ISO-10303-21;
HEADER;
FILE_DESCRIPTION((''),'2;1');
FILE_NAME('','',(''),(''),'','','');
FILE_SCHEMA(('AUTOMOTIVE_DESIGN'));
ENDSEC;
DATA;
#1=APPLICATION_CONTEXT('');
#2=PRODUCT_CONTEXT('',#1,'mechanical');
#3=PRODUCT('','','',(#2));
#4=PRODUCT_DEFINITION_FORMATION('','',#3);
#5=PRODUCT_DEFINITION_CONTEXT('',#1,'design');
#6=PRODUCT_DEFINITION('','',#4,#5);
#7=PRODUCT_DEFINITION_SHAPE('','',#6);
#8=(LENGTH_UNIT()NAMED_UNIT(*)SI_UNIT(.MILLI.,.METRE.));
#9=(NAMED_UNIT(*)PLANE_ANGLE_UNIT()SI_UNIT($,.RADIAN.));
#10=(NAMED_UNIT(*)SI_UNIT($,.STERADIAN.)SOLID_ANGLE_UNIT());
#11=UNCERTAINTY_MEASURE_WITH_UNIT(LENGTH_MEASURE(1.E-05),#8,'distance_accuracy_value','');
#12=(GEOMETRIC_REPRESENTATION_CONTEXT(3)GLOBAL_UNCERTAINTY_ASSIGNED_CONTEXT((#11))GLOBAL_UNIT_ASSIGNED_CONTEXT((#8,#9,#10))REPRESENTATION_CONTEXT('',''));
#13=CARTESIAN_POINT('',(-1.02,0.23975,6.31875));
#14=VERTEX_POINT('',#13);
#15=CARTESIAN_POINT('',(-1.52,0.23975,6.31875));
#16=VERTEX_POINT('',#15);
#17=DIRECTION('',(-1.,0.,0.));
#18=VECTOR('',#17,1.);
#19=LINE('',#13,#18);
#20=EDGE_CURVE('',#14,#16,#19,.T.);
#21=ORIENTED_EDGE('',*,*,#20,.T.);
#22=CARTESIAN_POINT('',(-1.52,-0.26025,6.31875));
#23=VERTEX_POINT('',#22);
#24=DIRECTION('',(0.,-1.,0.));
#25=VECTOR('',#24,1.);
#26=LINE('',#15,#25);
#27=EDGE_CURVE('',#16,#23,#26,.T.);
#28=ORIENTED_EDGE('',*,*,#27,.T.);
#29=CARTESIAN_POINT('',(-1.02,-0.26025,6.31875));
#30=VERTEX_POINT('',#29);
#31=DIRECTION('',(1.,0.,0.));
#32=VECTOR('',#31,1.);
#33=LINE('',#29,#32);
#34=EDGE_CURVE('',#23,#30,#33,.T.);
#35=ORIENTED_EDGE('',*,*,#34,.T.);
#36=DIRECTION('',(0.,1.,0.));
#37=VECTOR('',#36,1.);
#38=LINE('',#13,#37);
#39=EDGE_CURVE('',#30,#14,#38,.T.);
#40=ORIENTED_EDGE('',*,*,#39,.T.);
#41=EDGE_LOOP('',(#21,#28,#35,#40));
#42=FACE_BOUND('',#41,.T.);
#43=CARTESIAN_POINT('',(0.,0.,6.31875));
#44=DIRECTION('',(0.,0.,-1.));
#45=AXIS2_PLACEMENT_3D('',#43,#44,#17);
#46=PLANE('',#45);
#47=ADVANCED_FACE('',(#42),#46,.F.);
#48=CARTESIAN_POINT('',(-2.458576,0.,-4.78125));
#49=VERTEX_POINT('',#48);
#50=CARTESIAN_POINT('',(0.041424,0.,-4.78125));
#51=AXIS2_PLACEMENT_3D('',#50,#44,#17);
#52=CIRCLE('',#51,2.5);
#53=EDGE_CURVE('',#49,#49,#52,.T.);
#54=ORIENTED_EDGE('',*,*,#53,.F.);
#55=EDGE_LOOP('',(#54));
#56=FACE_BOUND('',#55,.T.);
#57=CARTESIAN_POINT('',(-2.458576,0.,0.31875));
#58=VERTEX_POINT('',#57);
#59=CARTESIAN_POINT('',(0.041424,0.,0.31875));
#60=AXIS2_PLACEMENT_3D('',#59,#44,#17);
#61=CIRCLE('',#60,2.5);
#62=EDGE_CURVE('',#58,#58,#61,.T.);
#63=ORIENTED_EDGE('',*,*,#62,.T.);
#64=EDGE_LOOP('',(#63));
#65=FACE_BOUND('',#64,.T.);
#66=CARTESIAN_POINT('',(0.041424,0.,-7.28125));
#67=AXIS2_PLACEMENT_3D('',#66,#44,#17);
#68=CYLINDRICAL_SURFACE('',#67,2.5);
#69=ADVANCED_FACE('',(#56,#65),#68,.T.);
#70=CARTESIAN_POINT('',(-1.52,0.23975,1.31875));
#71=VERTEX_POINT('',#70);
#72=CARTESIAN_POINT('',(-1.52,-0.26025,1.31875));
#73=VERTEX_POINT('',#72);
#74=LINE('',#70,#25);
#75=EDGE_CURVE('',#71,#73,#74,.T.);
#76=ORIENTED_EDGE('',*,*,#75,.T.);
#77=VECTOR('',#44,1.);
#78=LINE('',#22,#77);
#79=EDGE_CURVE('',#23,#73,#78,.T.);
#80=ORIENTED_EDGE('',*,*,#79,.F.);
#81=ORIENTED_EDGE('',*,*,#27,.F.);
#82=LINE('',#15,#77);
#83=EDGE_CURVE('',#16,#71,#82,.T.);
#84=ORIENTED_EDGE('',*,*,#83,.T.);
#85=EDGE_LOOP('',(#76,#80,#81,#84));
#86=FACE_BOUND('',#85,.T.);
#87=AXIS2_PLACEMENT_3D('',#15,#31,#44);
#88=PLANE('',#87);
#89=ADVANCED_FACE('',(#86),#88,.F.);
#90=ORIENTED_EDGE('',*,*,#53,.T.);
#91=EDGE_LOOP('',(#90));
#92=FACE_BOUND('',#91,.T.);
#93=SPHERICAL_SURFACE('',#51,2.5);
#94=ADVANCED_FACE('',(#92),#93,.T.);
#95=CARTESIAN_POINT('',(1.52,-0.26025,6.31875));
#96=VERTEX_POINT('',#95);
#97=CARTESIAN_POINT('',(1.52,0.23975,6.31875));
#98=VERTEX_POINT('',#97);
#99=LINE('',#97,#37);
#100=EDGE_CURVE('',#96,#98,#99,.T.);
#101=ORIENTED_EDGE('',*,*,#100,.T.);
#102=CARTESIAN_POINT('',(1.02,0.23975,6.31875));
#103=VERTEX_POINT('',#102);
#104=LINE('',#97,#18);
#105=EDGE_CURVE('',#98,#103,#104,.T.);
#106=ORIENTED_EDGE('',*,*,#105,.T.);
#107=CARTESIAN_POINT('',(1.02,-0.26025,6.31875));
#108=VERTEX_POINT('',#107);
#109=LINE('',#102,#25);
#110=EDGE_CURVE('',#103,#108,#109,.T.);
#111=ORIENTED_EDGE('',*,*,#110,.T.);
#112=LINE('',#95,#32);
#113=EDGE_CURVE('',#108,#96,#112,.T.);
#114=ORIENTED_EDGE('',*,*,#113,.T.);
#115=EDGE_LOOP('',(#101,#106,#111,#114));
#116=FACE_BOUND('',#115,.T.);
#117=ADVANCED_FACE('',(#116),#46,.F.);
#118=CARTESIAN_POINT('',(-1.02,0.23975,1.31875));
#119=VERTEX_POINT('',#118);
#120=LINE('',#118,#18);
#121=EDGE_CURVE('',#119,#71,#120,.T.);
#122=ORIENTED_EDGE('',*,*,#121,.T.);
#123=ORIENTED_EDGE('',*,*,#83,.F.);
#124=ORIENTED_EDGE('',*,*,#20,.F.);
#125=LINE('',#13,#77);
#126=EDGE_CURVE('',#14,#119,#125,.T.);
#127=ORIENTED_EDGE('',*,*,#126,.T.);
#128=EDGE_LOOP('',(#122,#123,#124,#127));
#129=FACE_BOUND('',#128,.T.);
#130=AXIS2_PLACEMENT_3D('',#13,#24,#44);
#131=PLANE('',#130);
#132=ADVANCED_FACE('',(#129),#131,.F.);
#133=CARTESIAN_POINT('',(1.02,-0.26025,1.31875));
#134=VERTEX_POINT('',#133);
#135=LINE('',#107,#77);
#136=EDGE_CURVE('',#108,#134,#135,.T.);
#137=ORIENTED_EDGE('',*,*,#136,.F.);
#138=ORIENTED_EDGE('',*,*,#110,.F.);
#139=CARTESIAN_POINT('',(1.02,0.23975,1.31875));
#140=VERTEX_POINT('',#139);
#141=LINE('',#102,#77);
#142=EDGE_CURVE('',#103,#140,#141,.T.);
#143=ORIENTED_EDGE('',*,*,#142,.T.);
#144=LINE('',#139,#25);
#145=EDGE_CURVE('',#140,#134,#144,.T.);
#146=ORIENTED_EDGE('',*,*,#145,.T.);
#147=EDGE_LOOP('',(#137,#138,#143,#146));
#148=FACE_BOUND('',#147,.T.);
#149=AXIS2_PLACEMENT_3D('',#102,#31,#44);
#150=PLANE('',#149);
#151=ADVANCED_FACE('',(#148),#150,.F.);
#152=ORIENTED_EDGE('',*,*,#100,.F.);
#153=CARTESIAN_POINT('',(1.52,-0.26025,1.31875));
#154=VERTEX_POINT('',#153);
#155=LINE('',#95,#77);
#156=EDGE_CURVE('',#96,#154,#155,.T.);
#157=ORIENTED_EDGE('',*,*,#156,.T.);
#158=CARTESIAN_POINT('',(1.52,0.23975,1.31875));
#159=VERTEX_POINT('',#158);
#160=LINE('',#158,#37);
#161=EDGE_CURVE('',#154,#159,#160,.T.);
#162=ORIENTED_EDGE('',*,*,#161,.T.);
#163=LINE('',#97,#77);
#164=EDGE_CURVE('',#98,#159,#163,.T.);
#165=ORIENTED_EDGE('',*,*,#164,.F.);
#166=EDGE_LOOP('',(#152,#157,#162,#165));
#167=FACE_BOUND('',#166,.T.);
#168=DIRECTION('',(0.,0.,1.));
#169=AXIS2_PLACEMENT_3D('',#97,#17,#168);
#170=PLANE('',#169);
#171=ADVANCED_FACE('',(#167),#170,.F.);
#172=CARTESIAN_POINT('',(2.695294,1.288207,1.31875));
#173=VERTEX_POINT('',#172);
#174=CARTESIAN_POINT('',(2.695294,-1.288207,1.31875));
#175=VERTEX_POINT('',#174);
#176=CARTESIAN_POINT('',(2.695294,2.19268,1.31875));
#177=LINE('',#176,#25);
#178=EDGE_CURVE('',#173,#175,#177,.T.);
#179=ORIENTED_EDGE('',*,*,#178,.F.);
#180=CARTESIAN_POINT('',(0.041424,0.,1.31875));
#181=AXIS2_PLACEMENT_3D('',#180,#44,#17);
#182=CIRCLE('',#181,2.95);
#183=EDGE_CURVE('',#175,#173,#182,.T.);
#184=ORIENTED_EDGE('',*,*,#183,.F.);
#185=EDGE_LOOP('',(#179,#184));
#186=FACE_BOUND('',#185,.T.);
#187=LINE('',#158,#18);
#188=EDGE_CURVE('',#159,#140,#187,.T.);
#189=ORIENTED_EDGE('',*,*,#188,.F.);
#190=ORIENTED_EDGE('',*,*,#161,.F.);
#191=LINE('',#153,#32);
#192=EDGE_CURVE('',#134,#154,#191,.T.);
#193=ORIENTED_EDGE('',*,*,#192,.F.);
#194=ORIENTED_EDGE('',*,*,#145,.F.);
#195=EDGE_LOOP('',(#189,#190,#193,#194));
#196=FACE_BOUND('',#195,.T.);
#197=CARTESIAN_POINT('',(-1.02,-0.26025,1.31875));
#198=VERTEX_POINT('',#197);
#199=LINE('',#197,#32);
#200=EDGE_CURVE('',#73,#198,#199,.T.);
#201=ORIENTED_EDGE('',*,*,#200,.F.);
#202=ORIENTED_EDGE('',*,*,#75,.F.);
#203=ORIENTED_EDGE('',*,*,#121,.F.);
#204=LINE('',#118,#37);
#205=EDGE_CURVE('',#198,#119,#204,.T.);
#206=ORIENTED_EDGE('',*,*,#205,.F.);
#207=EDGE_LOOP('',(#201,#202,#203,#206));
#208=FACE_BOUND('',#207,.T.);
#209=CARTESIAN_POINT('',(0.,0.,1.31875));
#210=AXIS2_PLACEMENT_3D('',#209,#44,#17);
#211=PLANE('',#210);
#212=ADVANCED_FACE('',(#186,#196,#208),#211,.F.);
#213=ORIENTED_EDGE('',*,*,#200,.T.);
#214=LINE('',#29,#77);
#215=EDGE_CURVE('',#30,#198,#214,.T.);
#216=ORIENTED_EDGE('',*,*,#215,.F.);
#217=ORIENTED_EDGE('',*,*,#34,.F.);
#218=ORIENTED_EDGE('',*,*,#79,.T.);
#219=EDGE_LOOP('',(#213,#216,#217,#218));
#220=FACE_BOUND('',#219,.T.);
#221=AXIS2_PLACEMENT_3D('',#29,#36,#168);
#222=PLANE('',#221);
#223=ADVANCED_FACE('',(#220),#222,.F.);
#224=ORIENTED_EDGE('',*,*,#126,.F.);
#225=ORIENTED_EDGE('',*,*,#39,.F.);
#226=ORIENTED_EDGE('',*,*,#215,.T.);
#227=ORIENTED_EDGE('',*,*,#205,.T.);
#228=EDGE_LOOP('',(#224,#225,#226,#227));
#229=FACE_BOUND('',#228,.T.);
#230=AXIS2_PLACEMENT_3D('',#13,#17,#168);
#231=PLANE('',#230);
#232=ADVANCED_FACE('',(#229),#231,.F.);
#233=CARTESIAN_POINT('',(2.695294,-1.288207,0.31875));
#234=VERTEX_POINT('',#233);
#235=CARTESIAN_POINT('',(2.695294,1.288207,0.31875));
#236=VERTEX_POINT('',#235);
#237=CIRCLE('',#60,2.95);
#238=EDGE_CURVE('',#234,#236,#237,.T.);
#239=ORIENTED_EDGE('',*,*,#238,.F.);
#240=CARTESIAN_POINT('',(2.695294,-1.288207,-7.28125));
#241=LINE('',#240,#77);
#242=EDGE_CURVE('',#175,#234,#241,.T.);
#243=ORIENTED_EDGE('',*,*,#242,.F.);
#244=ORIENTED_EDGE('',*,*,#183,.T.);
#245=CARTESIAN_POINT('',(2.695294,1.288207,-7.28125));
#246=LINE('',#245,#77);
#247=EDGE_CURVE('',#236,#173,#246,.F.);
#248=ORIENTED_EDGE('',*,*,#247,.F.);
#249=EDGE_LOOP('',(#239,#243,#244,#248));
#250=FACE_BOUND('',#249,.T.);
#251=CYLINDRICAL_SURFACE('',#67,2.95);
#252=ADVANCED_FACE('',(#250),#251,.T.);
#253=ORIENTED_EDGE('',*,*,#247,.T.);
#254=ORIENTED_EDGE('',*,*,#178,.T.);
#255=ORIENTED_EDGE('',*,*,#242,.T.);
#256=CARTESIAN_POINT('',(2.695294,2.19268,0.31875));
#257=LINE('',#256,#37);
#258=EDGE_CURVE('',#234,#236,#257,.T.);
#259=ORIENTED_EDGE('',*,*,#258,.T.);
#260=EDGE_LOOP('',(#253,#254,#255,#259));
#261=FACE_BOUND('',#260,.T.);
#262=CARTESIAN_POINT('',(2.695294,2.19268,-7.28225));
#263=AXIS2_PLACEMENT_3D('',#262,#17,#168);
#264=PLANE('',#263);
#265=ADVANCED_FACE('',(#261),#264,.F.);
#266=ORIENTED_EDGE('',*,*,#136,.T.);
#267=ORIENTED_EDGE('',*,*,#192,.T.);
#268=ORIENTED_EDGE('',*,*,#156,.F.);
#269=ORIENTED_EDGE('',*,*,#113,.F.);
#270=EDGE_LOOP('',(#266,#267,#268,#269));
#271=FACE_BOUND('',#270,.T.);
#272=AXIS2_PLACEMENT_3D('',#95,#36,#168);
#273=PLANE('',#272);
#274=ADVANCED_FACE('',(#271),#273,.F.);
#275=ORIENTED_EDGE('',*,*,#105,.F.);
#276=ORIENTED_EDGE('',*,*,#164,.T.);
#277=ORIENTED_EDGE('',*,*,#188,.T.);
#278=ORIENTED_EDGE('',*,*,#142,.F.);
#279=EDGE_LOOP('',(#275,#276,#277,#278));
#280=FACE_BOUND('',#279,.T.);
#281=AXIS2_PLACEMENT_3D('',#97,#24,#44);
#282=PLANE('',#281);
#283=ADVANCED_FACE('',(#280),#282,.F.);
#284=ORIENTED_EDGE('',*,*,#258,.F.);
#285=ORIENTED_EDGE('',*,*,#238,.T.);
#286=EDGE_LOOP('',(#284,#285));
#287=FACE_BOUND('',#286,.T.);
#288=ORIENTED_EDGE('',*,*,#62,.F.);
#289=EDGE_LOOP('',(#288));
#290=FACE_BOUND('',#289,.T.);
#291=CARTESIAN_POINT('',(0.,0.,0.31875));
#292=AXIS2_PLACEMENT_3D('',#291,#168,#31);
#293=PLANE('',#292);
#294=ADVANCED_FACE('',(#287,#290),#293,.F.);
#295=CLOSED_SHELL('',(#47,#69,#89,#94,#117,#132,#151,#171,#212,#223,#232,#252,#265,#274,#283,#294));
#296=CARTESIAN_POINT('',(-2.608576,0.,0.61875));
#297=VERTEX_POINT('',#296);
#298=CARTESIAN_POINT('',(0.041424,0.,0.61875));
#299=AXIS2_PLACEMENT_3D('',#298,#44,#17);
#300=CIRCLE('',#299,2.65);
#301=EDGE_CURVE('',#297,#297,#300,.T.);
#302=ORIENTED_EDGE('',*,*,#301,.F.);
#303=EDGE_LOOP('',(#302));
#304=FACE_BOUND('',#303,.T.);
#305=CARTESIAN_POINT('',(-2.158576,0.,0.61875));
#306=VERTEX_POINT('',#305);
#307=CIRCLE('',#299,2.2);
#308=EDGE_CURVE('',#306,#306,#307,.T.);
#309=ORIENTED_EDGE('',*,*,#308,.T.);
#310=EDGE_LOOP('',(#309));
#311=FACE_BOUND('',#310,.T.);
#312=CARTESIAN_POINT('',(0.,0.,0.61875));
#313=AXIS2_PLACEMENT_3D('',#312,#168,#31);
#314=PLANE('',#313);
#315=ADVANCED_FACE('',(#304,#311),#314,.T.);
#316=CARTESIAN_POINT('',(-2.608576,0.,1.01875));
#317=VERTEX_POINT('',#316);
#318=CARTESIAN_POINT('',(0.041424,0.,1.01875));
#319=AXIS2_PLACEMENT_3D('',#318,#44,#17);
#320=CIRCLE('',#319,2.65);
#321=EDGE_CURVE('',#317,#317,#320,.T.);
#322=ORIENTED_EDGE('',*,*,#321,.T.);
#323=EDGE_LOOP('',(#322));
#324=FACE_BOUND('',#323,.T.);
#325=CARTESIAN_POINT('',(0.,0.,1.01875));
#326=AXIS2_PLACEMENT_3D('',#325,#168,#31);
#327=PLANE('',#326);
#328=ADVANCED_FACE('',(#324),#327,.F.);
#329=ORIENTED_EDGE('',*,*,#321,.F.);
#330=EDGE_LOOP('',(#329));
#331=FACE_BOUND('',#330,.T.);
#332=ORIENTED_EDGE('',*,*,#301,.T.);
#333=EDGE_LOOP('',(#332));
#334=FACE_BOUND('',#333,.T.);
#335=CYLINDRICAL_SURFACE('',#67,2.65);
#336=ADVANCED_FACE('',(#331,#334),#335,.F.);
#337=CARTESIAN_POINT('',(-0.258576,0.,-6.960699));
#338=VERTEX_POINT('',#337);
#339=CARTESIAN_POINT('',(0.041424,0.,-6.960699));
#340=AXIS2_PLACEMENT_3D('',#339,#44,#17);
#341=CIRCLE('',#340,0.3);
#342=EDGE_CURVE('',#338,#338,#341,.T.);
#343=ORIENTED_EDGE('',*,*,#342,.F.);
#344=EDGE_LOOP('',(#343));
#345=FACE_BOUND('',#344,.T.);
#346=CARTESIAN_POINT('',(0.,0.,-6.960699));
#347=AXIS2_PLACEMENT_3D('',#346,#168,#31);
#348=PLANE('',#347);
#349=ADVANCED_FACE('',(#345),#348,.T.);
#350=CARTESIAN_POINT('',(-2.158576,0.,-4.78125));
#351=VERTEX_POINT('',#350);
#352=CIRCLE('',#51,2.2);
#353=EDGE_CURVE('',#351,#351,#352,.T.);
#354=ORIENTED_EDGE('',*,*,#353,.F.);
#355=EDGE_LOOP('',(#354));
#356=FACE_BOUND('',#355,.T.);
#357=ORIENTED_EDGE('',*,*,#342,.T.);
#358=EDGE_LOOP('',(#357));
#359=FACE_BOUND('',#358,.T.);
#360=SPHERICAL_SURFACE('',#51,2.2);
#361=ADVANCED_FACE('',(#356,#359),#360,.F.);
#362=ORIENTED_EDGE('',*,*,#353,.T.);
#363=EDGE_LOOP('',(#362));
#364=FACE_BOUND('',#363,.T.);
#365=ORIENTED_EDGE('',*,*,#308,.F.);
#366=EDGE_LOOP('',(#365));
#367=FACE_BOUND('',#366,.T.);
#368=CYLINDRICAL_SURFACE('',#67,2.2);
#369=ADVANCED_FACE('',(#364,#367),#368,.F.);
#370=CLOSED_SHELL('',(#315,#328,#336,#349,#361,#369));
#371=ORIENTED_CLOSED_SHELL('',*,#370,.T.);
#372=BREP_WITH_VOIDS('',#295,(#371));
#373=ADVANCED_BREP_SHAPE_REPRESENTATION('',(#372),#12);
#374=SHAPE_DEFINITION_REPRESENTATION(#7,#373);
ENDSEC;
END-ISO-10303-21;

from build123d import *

# Parameters (mm, degrees)
SKETCH2_W           = 0.5
SKETCH2_H           = 0.5
BOSS_EXTRUDE1_DEPTH = 5
CUT_EXTRUDE1_REACH  = 10.6


with BuildPart() as part:
    # Sketch1 → Revolve3 (revolve)
    with BuildSketch(Plane(origin=(0, 0, 0), x_dir=(1, 0, 0), z_dir=(0, 1, 0))):
        with BuildLine():
            Line((0.041424419, -1.31875), (-2.908575581, -1.31875))
            Line((-2.908575581, -1.31875), (-2.908575581, -0.31875))
            Line((-2.908575581, -0.31875), (-2.458575581, -0.31875))
            Line((-2.458575581, -0.31875), (-2.458575581, 4.78125))
            ThreePointArc((-2.458575581, 4.78125), (-1.726342534, 6.549016953), (0.041424419, 7.28125))
            Line((0.041424419, 7.28125), (0.041424419, 6.960699472))
            Line((0.041424419, 6.960699472), (-0.258575581, 6.960699472))
            ThreePointArc((-0.258575581, 6.960699472), (-1.616887977, 6.226933229), (-2.158575581, 4.78125))
            Line((-2.158575581, 4.78125), (-2.158575581, -0.61875))
            Line((-2.158575581, -0.61875), (-2.608575581, -0.61875))
            Line((-2.608575581, -0.61875), (-2.608575581, -1.01875))
            Line((-2.608575581, -1.01875), (-0.258575581, -1.01875))
            Line((-0.258575581, -1.01875), (0.041424419, -1.01875))
            Line((0.041424419, -1.01875), (0.041424419, -1.31875))
        make_face()
    revolve(axis=Axis((0.041424419, 0, -7.28125), (0, 0, 1)))

    # Sketch2 → Boss-Extrude1 (add)
    with BuildSketch(Plane.XY.offset(1.31875)):
        with Locations((1.27, -0.01024953)):
            Rectangle(SKETCH2_W, SKETCH2_H)
        with Locations((-1.27, -0.01024953)):
            Rectangle(SKETCH2_W, SKETCH2_H)
    extrude(amount=BOSS_EXTRUDE1_DEPTH)

    # Sketch3 → Cut-Extrude1 (cut, up to next)
    with BuildSketch(Plane(origin=(0.020061741, 0, 1.31875), x_dir=(1, 0, 0), z_dir=(0, 0, 1)), mode=Mode.PRIVATE) as cut_extrude1_sk1:
        Polygon((2.675232006, 2.192680339), (2.675232006, -2.268878516), (4.29481628, -2.502381421), (4.160489908, 2.299424082), align=None)
    cut_extrude1_tool1 = extrude(cut_extrude1_sk1.sketch, amount=-CUT_EXTRUDE1_REACH, mode=Mode.PRIVATE) & part.part
    add(cut_extrude1_tool1.solids().sort_by_distance((3.481327, -0.10236, 1.31875))[0], mode=Mode.SUBTRACT)


solid = part.part
